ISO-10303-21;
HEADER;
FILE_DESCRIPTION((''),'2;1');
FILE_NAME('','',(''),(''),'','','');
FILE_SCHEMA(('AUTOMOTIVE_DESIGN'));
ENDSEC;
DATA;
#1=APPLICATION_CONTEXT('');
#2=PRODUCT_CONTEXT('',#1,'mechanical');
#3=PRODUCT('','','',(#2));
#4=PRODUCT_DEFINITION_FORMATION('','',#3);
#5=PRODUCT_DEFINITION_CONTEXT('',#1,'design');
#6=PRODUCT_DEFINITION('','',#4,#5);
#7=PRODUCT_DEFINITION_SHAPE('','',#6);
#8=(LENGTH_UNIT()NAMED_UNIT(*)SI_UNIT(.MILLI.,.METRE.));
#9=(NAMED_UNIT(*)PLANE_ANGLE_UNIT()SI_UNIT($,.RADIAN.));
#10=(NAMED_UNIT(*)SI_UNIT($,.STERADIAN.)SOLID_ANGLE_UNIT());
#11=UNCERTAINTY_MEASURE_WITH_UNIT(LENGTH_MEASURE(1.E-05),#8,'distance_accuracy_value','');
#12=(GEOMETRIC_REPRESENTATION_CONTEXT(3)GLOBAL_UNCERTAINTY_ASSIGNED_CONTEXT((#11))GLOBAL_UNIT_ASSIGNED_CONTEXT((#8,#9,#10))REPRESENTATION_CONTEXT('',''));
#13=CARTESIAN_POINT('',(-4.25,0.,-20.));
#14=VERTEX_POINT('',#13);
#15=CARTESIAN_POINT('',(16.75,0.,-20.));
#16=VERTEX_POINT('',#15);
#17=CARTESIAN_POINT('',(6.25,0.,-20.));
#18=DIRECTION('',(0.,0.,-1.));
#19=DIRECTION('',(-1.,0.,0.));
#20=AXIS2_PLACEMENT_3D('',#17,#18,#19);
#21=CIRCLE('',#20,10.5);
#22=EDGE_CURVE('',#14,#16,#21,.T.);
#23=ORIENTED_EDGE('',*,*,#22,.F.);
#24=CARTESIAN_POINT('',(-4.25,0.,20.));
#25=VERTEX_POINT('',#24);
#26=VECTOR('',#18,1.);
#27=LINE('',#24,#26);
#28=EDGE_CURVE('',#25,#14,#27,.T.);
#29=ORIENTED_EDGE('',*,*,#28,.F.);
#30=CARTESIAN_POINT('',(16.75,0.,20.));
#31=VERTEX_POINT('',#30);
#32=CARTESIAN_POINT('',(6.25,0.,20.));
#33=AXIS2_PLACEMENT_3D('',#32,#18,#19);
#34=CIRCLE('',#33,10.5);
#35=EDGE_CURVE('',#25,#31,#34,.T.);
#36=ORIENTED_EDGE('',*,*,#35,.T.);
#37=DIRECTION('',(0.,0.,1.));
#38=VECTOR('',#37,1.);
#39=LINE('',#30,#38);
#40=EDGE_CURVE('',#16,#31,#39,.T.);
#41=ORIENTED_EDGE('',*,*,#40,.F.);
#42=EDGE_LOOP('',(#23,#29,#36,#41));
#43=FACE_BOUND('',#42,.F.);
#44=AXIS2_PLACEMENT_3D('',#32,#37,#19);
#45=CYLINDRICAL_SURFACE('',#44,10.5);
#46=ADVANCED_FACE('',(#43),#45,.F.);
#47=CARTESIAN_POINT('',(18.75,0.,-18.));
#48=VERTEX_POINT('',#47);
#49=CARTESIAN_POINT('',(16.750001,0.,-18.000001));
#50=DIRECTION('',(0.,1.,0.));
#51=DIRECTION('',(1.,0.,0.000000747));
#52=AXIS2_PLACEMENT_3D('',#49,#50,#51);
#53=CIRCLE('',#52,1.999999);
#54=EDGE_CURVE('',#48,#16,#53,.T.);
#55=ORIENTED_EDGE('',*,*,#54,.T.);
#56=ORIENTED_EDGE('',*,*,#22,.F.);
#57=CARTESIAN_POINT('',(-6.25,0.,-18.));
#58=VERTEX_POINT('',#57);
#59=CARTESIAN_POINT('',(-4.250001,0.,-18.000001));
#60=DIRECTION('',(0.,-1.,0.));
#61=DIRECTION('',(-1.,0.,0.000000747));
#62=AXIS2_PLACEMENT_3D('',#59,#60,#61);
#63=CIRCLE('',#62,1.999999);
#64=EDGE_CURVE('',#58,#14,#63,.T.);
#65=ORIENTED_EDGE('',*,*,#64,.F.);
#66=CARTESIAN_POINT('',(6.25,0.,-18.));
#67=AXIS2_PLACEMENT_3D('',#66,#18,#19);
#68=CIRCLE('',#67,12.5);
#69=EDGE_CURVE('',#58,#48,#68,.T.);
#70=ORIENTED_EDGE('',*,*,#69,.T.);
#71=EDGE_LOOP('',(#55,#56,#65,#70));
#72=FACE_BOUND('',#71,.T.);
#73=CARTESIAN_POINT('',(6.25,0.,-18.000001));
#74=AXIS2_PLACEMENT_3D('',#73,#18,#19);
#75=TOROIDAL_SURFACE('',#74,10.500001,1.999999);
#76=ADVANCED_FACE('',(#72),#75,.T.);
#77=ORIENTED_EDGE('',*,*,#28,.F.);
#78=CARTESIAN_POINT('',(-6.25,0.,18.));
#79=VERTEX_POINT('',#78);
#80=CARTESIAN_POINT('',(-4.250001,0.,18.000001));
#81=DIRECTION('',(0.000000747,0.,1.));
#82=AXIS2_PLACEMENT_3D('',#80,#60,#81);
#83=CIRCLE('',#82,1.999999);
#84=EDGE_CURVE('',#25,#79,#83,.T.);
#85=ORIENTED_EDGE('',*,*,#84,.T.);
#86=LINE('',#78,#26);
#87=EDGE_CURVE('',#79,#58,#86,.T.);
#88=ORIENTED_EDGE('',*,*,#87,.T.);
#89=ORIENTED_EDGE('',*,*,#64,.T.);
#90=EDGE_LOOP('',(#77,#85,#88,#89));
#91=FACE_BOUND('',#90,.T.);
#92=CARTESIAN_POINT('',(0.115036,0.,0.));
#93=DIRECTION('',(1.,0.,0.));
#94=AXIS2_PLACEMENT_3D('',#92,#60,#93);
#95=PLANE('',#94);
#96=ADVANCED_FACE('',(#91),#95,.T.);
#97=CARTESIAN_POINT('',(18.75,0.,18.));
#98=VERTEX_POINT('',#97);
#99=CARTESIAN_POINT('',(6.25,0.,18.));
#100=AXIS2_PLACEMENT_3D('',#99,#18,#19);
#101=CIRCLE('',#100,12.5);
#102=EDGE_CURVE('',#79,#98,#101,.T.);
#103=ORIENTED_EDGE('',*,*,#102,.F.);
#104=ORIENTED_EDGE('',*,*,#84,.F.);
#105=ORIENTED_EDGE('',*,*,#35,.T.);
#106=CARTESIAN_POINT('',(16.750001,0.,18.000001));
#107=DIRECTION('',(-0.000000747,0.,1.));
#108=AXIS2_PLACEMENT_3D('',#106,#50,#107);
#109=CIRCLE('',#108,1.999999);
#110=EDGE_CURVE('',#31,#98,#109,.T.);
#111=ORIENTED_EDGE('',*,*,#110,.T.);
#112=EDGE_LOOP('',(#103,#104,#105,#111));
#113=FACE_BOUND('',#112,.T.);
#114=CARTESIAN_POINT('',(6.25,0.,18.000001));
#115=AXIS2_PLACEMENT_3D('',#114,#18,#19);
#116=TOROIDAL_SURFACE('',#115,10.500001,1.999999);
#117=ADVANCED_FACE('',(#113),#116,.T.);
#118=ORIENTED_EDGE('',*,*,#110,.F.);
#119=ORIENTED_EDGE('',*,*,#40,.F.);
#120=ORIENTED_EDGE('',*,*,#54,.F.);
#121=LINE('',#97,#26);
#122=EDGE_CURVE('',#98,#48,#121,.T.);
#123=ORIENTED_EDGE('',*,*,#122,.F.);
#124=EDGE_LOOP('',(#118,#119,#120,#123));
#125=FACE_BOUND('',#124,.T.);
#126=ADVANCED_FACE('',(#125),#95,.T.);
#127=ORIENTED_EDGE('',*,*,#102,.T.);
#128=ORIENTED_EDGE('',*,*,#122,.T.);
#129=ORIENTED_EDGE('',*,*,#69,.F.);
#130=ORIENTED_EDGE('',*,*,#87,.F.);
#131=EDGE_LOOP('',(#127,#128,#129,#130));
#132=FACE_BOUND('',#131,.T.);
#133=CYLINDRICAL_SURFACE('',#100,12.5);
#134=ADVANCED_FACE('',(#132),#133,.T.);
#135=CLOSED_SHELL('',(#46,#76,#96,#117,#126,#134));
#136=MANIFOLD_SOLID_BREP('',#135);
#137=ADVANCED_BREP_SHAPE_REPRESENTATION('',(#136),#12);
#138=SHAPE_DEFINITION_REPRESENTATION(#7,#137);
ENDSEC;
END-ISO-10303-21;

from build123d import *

# Parameters (mm, degrees)
F1_ANGLE = 180
F3_DEPTH = 40


with BuildPart() as f1:
    # F0 (on Front) → F1 (revolve)
    with BuildSketch(Plane.XZ):
        with BuildLine():
            Line((6.25, 20), (-4.25, 20))
            ThreePointArc((-4.25, 20), (-5.664214, 19.414214), (-6.25, 18))
            Line((-6.25, 18), (-6.25, -18))
            ThreePointArc((-6.25, -18), (-5.664214, -19.414214), (-4.25, -20))
            Line((-4.25, -20), (6.25, -20))
            Line((6.25, -20), (6.25, 20))
        make_face()
    revolve(axis=Axis((6.25, 0, 0), (0, 0, -1)), revolution_arc=F1_ANGLE)

    # F2 (on face) → F3 (cut)
    with BuildSketch(Plane.XY.offset(20)):
        with BuildLine():
            Line((-4.25, 0), (16.75, 0))
            ThreePointArc((16.75, 0), (6.25, 10.5), (-4.25, 0))
        make_face()
        with BuildLine():
            ThreePointArc((-4.25, 0), (6.25, -10.5), (16.75, 0))
            Line((16.75, 0), (-4.25, 0))
        make_face()
    extrude(amount=-F3_DEPTH, mode=Mode.SUBTRACT)


solid = f1.part
